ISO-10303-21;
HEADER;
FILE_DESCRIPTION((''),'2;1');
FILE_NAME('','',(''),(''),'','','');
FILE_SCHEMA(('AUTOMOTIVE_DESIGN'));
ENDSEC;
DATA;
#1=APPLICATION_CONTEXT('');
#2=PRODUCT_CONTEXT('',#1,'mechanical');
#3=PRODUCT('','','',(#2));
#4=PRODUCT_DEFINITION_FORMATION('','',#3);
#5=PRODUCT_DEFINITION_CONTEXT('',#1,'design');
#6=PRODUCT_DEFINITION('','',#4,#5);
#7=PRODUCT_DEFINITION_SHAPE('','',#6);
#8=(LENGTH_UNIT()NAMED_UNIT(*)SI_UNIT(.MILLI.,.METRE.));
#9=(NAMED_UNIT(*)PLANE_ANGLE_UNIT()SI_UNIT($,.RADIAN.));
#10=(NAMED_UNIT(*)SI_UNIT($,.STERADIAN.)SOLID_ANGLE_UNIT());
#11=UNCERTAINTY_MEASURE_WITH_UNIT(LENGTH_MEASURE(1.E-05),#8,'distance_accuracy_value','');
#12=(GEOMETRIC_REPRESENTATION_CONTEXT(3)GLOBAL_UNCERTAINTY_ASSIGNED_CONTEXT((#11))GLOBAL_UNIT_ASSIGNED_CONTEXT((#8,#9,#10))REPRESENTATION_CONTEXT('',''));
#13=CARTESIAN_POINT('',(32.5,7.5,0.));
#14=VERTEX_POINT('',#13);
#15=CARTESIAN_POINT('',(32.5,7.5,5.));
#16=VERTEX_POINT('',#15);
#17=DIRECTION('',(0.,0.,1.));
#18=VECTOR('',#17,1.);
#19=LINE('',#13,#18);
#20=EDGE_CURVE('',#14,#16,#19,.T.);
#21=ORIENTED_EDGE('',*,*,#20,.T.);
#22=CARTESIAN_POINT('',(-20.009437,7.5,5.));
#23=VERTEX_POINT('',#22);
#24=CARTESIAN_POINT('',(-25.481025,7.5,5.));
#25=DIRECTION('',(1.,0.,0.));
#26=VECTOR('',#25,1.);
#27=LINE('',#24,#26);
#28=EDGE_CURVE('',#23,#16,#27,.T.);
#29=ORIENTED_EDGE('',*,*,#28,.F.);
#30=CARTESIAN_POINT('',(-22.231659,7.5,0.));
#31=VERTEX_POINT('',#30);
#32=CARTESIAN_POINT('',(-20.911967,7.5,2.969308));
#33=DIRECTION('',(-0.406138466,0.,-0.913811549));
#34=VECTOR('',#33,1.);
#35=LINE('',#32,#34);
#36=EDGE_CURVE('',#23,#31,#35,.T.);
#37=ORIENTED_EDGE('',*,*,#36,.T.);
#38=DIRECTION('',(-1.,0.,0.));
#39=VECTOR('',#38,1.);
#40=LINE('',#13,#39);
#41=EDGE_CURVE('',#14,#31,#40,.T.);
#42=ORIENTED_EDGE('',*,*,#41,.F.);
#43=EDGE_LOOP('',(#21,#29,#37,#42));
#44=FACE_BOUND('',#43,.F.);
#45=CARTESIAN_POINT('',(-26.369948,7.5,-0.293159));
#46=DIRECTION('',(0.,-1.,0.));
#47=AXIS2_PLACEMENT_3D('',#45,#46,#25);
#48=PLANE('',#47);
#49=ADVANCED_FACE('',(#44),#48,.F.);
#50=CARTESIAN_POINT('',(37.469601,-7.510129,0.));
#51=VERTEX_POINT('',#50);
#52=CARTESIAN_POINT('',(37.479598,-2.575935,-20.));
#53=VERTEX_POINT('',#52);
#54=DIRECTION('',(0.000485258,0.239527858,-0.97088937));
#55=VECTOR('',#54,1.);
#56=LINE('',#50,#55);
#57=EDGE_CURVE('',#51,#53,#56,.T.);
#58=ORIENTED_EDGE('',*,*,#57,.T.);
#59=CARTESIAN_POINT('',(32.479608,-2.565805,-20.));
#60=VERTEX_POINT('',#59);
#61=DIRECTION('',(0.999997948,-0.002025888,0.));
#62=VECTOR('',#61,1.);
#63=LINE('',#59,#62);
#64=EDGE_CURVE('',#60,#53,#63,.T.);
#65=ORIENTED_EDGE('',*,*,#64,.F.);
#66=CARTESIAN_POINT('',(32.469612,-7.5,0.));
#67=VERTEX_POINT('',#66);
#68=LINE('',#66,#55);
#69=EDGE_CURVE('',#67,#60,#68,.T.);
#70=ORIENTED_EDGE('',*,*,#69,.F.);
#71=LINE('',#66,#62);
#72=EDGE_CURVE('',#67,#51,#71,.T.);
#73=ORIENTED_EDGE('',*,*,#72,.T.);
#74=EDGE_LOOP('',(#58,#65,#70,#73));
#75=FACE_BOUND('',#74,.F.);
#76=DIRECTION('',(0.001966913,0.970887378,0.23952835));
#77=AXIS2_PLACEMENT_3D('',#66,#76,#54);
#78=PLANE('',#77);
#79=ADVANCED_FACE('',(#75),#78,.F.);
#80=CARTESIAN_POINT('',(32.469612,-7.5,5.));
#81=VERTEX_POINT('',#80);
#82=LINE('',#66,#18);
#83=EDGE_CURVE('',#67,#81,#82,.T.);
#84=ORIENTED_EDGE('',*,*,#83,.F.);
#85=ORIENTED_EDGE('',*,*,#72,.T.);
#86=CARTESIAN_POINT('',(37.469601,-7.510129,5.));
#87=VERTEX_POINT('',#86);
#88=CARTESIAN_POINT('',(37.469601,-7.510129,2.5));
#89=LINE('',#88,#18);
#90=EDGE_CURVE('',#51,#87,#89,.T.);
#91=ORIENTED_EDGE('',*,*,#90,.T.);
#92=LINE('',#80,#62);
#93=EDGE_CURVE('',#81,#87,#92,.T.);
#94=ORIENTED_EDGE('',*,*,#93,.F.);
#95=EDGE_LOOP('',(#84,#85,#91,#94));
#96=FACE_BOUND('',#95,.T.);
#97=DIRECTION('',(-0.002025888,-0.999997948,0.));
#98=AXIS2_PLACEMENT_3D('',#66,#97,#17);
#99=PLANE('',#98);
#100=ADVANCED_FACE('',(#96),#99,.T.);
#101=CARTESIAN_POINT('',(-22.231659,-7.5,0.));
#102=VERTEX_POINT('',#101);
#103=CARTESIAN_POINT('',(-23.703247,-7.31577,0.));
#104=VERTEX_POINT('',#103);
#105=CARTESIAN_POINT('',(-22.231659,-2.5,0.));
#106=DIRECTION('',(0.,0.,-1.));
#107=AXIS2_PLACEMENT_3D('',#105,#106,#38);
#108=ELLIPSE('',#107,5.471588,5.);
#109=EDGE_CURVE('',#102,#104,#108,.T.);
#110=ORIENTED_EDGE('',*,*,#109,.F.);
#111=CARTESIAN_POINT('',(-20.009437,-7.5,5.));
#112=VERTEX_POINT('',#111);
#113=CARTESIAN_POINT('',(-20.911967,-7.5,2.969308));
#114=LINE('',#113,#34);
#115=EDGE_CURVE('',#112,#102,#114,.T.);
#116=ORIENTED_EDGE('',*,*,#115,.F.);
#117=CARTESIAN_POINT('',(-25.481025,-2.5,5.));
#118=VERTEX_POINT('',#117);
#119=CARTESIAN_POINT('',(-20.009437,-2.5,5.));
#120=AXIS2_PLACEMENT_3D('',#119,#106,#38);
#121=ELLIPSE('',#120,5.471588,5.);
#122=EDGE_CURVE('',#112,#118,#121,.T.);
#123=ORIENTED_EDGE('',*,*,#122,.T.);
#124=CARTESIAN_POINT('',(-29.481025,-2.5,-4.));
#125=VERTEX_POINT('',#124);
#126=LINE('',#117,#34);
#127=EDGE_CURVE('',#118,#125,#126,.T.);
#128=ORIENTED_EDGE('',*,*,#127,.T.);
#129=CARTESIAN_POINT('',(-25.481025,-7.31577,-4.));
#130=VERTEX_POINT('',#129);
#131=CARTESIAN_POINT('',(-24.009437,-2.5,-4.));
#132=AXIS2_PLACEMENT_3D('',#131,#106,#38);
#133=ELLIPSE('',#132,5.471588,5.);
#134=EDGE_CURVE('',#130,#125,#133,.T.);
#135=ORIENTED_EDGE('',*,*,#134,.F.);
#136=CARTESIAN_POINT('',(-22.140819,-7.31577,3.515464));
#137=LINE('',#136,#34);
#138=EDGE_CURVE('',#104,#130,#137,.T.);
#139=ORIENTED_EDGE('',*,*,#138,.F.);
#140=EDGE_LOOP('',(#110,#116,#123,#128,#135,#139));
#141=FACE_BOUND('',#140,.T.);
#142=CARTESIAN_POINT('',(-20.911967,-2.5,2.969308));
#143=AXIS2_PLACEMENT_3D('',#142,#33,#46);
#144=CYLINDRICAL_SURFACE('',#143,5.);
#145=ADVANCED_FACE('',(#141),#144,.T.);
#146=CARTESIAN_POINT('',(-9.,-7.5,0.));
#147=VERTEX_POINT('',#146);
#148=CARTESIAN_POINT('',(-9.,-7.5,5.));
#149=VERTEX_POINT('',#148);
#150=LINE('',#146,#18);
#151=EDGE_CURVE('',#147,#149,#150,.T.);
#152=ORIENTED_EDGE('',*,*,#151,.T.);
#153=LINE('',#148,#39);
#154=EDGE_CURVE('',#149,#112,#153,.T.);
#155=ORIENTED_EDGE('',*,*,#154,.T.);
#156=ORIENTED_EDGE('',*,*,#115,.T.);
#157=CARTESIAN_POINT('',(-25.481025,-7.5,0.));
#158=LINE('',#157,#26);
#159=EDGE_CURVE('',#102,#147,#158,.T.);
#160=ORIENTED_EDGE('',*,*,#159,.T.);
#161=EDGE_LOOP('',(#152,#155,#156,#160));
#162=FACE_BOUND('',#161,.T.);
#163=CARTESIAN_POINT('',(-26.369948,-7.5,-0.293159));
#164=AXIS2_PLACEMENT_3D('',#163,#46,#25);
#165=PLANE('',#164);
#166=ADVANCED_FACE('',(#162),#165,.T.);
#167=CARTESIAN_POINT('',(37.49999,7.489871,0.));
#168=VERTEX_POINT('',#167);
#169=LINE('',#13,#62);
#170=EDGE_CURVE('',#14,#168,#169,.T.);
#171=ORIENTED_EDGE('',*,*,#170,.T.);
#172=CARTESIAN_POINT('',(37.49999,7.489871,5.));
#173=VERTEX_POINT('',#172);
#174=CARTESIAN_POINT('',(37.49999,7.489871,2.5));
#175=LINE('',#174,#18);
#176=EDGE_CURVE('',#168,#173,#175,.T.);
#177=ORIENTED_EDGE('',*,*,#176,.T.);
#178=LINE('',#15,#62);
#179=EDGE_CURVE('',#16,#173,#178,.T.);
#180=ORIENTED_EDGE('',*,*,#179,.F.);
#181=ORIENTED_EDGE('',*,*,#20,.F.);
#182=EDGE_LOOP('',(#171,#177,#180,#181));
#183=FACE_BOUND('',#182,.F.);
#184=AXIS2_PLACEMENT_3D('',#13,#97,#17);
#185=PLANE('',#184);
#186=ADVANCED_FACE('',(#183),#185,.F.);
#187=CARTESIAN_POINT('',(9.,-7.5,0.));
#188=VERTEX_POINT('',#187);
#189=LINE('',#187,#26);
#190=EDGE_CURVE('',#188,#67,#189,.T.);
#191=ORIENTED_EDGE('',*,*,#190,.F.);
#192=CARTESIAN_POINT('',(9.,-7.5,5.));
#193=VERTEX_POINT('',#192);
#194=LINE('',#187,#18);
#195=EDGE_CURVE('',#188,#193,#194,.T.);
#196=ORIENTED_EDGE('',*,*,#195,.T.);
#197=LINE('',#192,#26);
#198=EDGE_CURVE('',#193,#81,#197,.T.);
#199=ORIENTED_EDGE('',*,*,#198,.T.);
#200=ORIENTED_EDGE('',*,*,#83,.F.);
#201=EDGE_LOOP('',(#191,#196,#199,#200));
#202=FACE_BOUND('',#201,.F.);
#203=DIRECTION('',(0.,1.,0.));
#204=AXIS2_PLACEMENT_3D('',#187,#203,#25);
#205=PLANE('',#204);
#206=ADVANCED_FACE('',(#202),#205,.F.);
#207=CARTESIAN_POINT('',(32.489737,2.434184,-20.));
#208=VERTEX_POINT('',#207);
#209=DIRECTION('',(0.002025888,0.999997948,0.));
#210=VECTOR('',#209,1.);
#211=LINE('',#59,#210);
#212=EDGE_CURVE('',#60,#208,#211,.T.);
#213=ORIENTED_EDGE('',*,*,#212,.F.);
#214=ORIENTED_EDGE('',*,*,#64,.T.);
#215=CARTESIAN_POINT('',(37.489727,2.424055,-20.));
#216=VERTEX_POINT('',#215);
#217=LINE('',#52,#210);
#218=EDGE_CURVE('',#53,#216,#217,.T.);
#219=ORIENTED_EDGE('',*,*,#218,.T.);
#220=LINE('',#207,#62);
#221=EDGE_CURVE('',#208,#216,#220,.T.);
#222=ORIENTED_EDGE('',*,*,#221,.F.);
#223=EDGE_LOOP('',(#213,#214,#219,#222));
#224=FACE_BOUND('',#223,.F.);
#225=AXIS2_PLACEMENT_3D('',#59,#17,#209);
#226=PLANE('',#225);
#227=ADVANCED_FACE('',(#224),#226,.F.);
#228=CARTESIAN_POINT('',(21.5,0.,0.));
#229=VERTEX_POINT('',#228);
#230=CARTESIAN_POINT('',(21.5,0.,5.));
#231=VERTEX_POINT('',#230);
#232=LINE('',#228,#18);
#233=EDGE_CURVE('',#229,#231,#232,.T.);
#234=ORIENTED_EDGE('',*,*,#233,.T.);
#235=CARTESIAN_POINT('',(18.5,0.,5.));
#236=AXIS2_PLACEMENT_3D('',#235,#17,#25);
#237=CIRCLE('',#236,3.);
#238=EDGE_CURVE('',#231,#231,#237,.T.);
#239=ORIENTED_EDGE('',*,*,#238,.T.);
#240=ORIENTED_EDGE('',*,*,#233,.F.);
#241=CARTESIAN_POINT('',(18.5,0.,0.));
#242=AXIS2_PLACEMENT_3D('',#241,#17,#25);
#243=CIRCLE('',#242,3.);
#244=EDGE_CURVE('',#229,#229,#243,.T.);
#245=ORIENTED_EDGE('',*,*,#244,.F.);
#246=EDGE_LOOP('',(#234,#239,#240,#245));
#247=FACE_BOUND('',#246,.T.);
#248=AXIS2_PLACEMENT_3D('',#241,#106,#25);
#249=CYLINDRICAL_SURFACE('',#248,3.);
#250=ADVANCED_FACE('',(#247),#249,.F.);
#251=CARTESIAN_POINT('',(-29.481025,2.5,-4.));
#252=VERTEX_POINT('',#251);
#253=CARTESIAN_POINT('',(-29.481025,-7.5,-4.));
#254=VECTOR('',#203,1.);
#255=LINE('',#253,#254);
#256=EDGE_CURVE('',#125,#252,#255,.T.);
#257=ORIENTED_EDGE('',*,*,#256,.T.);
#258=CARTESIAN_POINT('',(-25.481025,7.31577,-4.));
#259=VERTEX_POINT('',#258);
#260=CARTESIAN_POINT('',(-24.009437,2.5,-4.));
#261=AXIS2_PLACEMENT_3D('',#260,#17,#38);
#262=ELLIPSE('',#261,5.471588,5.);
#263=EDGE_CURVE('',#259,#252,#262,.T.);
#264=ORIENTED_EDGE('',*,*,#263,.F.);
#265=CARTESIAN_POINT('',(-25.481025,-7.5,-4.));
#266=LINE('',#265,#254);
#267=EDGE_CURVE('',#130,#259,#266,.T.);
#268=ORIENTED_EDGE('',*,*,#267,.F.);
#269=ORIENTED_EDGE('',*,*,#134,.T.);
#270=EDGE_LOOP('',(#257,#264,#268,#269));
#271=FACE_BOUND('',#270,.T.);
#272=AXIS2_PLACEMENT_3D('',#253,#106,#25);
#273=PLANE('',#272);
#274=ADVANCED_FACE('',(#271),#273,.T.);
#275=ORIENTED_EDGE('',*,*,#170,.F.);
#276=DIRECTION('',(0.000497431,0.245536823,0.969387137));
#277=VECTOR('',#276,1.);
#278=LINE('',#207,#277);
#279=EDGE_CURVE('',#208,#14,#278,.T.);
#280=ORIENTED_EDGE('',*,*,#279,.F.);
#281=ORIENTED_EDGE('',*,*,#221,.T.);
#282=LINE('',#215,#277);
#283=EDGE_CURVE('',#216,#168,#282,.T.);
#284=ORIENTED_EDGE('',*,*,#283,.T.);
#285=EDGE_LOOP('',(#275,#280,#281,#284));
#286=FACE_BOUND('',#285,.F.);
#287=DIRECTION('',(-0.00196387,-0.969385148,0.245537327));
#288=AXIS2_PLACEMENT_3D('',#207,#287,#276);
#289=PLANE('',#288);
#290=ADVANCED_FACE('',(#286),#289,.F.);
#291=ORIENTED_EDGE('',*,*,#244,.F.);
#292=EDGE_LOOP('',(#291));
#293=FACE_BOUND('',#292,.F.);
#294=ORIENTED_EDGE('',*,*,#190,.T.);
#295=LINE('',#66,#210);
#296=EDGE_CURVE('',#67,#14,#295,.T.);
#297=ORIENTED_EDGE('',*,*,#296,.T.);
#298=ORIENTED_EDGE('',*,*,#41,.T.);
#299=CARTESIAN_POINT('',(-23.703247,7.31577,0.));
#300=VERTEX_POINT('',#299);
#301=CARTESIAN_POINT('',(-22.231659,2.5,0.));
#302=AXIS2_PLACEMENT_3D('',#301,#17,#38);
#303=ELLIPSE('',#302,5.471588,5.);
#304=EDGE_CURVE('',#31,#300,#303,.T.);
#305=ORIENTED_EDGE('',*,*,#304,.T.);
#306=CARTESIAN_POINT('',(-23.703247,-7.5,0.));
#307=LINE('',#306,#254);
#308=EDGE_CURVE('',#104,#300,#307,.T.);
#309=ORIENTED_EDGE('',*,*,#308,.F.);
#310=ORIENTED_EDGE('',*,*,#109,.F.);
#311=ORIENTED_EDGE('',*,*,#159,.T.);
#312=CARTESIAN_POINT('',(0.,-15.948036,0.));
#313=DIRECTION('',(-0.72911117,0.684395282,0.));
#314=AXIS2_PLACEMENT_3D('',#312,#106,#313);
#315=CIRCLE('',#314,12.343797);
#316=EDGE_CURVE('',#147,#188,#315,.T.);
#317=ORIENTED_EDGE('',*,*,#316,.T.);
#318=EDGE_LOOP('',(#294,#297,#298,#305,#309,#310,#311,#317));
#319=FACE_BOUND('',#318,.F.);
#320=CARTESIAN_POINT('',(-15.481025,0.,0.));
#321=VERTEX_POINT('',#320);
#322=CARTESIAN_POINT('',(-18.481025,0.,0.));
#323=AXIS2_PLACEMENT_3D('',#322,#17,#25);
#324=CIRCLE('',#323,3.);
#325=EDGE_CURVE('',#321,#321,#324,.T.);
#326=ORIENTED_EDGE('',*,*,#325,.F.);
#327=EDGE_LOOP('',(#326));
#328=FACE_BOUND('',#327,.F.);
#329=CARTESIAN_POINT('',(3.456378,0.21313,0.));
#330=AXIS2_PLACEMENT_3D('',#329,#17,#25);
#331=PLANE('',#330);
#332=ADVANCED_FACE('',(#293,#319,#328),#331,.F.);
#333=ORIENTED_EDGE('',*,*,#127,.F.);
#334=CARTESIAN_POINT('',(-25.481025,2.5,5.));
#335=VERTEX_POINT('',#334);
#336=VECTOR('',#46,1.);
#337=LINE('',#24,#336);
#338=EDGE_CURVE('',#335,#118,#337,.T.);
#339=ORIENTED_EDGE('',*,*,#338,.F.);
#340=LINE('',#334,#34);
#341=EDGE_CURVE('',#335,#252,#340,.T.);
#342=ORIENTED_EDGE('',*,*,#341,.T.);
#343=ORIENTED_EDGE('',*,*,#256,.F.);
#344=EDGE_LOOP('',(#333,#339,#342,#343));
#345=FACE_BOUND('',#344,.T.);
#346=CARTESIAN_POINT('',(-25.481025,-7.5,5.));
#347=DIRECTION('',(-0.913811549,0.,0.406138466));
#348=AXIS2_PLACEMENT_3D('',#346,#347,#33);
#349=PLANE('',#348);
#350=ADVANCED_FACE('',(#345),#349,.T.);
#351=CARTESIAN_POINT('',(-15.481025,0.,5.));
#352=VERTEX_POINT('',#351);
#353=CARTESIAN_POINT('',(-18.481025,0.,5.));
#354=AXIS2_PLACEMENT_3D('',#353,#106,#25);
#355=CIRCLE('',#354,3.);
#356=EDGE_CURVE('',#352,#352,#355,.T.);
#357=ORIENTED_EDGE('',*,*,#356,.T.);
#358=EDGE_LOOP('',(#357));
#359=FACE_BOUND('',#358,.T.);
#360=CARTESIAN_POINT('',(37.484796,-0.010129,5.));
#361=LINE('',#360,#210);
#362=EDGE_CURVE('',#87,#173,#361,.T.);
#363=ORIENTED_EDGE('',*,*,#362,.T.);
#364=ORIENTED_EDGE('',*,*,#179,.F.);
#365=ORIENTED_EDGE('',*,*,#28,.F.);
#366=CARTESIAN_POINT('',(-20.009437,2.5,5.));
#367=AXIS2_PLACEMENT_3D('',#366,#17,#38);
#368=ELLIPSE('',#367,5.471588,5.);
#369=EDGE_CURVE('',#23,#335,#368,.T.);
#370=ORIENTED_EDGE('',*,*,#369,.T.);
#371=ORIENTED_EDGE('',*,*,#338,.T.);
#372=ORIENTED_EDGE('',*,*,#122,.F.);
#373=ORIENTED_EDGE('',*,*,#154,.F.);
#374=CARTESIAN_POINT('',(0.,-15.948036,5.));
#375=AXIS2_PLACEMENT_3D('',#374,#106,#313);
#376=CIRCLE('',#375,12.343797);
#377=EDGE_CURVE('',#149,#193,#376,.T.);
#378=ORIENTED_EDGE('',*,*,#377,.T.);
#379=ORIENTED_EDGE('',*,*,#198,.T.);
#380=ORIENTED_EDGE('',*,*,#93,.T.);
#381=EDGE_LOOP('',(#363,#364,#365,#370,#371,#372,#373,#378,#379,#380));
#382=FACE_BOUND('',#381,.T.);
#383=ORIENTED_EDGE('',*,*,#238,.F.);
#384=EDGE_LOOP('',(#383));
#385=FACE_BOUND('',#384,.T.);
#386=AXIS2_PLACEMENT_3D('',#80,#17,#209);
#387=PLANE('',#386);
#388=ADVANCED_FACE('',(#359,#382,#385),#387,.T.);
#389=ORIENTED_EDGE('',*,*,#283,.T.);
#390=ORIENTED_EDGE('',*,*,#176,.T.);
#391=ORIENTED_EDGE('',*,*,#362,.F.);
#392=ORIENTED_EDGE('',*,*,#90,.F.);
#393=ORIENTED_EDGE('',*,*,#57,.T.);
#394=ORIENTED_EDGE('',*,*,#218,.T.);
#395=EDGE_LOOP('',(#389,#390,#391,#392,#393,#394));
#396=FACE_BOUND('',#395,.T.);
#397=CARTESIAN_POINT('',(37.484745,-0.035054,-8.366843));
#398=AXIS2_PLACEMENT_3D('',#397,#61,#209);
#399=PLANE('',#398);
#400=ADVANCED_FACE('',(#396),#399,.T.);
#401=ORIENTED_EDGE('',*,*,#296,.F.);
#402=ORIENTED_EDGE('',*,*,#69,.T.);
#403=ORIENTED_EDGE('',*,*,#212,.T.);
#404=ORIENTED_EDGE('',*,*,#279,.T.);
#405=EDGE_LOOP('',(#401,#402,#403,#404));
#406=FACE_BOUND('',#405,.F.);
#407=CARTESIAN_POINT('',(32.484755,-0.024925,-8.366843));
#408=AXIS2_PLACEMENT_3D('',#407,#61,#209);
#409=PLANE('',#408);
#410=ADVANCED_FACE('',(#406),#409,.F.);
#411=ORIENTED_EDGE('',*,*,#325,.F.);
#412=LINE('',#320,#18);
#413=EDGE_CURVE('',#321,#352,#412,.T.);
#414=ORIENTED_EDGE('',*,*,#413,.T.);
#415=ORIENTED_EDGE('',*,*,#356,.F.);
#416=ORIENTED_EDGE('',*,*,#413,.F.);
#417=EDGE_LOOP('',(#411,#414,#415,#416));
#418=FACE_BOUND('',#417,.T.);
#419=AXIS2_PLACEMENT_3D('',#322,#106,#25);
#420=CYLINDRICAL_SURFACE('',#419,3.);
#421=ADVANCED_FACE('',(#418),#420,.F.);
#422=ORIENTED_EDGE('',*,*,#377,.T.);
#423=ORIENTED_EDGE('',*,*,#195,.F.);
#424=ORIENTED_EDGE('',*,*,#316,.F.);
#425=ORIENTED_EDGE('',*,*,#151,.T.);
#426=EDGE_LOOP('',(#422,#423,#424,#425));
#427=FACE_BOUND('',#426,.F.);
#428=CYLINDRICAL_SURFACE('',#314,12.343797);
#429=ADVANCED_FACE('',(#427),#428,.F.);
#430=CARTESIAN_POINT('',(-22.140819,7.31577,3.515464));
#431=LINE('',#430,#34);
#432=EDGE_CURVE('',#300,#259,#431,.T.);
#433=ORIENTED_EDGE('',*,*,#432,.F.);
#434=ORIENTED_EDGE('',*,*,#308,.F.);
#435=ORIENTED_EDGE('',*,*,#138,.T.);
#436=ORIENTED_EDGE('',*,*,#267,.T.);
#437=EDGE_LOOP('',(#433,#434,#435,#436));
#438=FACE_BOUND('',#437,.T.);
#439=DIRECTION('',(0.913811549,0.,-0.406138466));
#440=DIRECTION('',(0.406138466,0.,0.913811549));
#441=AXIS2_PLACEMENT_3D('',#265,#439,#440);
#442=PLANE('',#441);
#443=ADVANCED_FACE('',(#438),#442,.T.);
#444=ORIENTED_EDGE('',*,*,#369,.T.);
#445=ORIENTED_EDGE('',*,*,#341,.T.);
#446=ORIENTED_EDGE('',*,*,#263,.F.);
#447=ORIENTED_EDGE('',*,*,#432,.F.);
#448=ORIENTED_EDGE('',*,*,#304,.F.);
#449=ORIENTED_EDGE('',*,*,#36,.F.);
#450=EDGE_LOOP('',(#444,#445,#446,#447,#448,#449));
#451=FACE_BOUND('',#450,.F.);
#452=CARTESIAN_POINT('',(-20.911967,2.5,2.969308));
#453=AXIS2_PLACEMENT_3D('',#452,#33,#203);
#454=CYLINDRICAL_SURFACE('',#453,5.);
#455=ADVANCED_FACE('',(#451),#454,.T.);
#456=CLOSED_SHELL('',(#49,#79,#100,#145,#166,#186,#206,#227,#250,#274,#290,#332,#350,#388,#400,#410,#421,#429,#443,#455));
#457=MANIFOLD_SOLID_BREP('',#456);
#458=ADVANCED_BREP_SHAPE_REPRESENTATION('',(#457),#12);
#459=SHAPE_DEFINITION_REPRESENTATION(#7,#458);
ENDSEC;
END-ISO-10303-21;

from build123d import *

# Parameters (mm, degrees)
F0_R     = 3
F1_DEPTH = 5
F2_W     = 15.0000307818
F2_H     = 5
F3_DEPTH = 5
F5_DEPTH = 15
F6_R     = 5


with BuildPart() as f1:
    # F0 (on Top) → F1 (new body)
    with BuildSketch(Plane.XY):
        with BuildLine():
            Line((32.4696116149, -7.5), (32.5, 7.5))
            Line((32.5, 7.5), (-25.481024757, 7.5))
            Line((-25.481024757, 7.5), (-25.481024757, 0))
            Line((-25.481024757, 0), (-25.481024757, -7.5))
            Line((-25.481024757, -7.5), (-9, -7.5))
            ThreePointArc((-9, -7.5), (0, -3.6042395476), (9, -7.5))
            Line((9, -7.5), (32.4696116149, -7.5))
        make_face()
        with Locations((-18.481024757, 0)):
            Circle(F0_R, mode=Mode.SUBTRACT)
        with Locations((18.5, 0)):
            Circle(F0_R, mode=Mode.SUBTRACT)
    extrude(amount=F1_DEPTH)

    # F2 (on face) → F3 (join)
    with BuildSketch(Plane(origin=(32.4846724826, -0.0658104491, 0), x_dir=(0.0020258882, 0.9999979479, 0), z_dir=(0.9999979479, -0.0020258882, 0))):
        Polygon((7.565825975, 0), (-7.4342048068, 0), (-2.5, -20), (2.5, -20), align=None)
        with Locations((0.0658105841, 2.5)):
            Rectangle(F2_W, F2_H)
    extrude(amount=F3_DEPTH)

    # F4 (on face) → F5 (join)
    with BuildSketch(Plane.XZ.offset(7.5)):
        Polygon((-29.481024757, -4), (-25.481024757, -4), (-23.7032469792, 0), (-25.481024757, 0), (-25.481024757, 5), align=None)
        Polygon((-25.481024757, 0), (-23.7032469792, 0), (-21.481024757, 5), (-25.481024757, 5), align=None)
    extrude(amount=-F5_DEPTH)

    # F6
    f6_edges = [f1.edges().sort_by_distance(p)[0] for p in [
        (-27.481025, -7.5, 0.5),
        (-27.481025, 7.5, 0.5),
    ]]
    fillet(f6_edges, radius=F6_R)


solid = f1.part
